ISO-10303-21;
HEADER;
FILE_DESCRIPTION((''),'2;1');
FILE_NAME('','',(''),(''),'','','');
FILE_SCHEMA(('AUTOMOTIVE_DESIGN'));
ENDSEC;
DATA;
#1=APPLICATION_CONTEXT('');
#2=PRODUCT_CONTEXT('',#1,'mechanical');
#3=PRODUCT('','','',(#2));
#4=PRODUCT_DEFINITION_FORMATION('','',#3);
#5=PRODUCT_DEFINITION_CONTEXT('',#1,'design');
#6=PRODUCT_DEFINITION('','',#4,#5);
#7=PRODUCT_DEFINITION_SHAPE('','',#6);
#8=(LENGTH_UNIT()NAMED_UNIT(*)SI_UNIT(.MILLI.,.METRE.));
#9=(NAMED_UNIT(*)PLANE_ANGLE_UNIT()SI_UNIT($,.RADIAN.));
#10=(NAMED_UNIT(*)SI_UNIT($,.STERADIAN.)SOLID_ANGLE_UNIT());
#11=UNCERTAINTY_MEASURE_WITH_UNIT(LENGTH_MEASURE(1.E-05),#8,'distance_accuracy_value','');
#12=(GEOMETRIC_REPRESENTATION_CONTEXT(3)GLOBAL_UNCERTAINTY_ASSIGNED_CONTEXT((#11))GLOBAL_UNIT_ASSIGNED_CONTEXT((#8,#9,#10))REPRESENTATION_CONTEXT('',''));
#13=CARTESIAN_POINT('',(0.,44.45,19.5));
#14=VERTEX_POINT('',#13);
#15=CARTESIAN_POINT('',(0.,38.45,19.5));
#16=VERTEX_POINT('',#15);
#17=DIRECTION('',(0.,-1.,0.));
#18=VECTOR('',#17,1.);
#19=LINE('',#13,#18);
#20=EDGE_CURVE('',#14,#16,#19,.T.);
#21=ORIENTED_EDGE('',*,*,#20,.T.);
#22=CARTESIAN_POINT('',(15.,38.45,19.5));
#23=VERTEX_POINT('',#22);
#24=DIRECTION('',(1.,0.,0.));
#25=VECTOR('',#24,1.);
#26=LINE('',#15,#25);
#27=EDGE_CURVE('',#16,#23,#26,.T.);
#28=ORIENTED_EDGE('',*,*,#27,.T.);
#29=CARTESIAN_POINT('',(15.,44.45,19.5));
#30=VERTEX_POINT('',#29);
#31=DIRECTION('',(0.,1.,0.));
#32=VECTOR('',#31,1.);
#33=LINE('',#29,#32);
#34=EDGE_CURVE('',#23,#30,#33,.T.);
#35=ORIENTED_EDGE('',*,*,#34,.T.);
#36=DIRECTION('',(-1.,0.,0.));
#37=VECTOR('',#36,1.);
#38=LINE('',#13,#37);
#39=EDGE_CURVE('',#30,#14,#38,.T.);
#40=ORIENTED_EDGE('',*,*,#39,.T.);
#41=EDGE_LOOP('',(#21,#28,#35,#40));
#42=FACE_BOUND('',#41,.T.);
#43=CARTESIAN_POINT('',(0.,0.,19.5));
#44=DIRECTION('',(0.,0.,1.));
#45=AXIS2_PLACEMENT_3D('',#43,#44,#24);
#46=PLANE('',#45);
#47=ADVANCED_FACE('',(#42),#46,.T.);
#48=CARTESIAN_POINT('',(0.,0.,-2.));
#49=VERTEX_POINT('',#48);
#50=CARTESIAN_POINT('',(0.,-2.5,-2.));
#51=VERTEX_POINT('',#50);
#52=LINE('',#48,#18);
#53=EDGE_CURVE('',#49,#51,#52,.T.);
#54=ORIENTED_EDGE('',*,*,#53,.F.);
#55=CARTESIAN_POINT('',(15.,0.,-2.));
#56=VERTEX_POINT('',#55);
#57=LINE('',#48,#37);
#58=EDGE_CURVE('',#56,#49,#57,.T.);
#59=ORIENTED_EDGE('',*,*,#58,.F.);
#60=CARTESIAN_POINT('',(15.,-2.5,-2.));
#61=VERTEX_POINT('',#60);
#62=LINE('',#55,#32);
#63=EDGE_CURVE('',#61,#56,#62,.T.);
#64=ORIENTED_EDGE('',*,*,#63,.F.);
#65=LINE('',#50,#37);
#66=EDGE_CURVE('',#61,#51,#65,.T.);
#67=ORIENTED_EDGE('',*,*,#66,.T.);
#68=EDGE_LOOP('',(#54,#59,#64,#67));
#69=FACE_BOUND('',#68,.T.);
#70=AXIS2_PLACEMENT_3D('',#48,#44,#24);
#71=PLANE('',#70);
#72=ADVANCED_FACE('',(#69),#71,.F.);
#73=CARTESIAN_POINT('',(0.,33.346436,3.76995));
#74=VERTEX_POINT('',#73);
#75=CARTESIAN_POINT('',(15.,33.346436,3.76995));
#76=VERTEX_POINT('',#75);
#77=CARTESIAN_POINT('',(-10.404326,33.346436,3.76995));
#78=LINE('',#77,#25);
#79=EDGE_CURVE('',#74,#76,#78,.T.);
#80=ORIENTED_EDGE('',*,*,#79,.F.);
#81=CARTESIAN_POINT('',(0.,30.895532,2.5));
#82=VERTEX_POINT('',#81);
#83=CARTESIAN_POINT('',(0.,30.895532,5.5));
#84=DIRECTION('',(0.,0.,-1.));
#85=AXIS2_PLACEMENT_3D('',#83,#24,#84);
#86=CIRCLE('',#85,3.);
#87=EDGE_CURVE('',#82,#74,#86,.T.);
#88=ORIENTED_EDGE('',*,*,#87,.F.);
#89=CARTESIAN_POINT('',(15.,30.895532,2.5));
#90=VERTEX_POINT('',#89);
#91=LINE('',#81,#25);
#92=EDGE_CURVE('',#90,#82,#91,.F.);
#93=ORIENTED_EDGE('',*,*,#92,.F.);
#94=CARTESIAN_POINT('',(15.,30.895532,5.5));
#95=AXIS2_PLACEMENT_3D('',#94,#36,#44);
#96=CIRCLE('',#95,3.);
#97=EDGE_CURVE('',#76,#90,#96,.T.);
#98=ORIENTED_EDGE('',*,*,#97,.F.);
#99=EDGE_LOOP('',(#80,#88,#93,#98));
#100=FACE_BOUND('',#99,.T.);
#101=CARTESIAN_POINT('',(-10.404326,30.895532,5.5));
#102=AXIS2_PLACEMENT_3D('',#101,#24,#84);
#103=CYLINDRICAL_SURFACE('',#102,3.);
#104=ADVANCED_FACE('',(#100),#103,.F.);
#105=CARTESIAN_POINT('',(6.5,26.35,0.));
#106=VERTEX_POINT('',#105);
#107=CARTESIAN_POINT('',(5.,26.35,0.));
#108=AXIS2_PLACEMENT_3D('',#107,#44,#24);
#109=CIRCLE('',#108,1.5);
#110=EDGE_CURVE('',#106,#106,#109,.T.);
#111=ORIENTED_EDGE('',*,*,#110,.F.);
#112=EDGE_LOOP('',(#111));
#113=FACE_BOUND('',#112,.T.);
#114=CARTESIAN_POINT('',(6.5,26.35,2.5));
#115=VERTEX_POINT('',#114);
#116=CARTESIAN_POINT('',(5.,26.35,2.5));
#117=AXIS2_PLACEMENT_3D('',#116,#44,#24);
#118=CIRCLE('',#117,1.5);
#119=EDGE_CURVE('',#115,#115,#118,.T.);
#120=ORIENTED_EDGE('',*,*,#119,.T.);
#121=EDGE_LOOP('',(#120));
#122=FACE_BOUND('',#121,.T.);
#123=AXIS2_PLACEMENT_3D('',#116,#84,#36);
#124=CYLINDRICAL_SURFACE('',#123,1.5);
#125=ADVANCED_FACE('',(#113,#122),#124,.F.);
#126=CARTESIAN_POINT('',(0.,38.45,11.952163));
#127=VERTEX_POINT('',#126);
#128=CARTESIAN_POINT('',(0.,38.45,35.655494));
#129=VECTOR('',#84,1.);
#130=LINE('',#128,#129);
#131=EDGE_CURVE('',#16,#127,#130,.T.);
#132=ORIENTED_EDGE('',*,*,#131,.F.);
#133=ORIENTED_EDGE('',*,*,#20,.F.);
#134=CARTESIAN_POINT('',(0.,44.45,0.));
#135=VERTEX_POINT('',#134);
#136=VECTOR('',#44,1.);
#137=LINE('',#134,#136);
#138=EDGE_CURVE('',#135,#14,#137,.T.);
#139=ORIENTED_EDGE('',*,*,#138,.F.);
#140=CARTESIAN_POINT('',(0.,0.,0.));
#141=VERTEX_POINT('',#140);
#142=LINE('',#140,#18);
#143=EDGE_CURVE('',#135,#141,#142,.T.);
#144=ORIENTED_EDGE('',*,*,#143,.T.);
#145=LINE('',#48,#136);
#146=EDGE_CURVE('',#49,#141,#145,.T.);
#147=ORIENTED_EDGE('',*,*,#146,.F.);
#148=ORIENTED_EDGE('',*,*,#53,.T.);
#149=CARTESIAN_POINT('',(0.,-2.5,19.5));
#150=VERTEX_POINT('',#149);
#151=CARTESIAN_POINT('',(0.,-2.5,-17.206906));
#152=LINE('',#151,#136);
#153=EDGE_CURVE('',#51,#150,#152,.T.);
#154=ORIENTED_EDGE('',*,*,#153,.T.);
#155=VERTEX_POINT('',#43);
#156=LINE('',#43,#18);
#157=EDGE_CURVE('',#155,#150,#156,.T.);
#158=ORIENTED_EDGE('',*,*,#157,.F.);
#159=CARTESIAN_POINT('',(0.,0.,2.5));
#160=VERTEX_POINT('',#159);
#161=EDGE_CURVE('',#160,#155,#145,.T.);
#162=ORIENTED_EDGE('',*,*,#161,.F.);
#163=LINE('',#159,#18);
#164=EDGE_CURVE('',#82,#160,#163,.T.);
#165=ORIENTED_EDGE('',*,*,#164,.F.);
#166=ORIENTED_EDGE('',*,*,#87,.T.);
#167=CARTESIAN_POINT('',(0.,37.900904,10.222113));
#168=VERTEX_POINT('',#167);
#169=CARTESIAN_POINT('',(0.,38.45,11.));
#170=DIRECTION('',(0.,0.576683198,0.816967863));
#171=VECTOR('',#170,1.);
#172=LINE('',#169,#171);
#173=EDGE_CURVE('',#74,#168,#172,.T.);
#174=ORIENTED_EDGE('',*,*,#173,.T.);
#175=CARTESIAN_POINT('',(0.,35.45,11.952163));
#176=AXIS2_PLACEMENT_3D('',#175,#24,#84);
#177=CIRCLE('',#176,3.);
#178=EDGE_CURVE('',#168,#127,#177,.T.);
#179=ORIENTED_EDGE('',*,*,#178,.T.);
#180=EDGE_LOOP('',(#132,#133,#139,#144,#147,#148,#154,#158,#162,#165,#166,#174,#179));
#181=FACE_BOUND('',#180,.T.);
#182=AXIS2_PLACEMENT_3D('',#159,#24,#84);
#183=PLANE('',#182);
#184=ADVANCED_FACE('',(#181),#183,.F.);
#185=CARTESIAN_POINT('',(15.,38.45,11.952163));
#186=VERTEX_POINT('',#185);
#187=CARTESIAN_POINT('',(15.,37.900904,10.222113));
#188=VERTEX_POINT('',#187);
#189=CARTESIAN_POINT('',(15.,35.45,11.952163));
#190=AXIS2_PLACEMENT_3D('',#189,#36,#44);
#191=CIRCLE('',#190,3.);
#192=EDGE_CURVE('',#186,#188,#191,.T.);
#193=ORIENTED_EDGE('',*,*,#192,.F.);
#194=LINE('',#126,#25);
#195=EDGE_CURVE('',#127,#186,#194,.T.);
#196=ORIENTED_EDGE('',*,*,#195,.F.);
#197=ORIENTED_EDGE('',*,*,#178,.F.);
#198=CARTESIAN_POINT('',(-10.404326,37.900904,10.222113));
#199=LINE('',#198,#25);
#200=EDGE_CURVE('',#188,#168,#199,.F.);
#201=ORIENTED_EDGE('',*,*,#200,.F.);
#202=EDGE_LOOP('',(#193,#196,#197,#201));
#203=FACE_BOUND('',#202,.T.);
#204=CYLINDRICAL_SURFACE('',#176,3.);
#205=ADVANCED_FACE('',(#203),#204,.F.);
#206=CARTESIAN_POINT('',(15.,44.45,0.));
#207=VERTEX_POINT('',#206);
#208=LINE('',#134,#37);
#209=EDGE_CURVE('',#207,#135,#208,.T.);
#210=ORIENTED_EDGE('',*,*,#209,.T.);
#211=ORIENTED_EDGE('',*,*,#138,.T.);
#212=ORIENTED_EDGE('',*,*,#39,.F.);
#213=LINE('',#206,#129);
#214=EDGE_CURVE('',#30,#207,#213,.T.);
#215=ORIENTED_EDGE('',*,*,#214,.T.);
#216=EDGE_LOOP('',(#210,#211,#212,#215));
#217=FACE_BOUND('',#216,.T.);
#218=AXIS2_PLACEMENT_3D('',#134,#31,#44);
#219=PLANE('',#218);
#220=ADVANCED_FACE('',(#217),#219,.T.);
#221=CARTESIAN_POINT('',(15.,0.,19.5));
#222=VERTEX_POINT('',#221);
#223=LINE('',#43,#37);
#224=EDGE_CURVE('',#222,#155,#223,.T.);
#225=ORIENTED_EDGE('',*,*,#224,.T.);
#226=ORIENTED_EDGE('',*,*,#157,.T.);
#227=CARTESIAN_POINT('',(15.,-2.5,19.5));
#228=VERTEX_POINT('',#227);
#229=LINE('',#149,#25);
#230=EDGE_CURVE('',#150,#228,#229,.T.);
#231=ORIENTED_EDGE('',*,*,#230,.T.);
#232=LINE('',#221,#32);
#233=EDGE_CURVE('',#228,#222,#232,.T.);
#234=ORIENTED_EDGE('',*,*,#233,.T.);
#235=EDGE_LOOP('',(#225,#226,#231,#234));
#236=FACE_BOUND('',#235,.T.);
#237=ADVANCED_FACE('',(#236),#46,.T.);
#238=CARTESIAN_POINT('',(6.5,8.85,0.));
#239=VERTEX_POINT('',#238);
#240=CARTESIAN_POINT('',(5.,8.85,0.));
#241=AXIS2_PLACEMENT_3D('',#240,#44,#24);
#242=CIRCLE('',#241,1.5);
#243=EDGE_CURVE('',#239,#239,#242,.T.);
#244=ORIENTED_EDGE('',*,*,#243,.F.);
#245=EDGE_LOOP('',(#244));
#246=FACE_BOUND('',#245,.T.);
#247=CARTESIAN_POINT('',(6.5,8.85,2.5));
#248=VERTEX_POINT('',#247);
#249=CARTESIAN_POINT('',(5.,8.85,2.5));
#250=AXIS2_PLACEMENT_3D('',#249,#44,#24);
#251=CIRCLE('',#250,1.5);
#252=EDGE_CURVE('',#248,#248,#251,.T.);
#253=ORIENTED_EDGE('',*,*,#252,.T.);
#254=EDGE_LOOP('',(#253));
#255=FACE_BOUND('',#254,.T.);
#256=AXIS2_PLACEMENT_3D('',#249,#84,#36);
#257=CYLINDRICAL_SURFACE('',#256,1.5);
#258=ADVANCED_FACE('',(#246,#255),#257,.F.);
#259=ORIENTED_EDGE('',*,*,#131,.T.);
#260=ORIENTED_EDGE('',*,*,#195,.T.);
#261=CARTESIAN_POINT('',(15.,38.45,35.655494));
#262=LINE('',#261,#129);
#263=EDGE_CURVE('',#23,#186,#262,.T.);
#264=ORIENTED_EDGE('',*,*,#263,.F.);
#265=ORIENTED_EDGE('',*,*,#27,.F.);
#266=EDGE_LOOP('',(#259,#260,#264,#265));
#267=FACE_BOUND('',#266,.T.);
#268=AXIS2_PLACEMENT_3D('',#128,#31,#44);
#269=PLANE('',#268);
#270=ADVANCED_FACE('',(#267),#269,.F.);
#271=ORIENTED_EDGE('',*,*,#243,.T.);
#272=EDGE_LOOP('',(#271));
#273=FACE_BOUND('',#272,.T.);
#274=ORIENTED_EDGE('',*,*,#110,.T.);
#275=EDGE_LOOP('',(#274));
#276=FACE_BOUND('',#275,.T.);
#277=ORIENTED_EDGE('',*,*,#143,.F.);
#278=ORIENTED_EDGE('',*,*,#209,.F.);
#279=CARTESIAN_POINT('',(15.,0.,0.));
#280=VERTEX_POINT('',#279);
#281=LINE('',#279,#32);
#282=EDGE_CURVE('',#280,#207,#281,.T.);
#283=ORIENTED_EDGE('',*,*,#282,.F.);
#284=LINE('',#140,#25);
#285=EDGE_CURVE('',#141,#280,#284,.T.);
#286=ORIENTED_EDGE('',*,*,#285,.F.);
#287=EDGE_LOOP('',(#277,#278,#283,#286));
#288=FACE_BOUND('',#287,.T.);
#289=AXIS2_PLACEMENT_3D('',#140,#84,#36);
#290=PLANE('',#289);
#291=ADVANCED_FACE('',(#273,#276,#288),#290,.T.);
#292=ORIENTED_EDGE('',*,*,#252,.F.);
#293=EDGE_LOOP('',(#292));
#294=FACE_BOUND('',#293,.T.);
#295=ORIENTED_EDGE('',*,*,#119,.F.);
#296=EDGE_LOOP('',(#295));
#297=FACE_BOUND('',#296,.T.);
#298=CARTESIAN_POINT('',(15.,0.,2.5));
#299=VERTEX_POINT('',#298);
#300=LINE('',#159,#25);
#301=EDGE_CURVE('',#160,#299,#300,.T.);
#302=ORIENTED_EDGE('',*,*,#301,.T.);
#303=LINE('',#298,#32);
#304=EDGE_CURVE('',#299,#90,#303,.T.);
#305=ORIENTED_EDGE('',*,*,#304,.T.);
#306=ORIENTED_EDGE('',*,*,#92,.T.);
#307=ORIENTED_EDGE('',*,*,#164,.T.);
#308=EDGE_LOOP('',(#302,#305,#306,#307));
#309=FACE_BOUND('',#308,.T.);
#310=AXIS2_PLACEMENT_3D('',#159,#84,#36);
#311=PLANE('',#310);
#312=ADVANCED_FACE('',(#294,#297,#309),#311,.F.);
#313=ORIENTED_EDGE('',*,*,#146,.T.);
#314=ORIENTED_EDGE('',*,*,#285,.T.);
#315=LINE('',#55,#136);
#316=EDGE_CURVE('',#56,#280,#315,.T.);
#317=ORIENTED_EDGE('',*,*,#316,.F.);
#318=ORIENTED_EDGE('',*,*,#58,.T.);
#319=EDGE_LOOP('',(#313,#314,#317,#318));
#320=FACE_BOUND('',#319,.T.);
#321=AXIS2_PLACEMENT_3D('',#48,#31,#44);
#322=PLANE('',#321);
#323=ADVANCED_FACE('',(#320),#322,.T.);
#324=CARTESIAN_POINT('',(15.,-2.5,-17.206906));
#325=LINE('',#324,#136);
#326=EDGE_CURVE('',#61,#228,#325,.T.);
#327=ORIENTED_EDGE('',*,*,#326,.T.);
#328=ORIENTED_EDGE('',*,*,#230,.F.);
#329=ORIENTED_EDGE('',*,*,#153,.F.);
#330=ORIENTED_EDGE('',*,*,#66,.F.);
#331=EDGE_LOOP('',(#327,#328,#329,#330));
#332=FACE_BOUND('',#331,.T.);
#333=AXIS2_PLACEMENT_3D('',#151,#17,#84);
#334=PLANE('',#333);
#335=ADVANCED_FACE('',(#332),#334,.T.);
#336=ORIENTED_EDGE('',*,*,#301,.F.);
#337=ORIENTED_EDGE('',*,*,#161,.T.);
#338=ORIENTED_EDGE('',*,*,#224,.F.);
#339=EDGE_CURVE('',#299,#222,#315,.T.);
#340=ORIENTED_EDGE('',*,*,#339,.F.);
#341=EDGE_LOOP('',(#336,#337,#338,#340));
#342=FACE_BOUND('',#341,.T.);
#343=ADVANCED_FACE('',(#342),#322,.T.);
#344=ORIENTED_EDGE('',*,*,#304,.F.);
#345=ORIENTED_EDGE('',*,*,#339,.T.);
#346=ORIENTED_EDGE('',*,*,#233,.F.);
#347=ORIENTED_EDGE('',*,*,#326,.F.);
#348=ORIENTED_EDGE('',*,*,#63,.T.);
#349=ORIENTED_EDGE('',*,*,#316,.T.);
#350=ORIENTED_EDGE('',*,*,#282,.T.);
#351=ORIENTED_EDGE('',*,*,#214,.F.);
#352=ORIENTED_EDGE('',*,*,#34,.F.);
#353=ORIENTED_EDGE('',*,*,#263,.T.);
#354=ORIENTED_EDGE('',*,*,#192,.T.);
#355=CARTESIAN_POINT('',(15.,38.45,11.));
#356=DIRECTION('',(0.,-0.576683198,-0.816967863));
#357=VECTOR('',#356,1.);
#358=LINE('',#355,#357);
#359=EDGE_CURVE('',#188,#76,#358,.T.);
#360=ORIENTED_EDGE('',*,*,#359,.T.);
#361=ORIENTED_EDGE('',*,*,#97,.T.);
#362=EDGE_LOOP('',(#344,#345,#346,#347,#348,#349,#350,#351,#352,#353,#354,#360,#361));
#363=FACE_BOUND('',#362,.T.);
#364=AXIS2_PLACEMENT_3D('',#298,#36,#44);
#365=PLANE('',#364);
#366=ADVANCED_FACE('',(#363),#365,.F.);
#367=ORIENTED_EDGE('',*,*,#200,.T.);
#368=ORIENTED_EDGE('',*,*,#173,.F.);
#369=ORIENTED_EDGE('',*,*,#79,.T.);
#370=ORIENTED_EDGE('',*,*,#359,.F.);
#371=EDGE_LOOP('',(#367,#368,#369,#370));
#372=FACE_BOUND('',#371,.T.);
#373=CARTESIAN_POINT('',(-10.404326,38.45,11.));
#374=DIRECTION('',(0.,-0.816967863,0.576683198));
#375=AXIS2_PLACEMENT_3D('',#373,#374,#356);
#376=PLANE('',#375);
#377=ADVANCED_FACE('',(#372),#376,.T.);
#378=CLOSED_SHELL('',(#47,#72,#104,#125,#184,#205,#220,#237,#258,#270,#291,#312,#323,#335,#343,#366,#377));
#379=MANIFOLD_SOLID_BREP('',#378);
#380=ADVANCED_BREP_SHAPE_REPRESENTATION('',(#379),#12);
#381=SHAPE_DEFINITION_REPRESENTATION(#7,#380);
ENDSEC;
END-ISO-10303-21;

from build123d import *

# Parameters (mm, degrees)
SKETCH1_W                = 15
SKETCH1_H                = 28.85
SKETCH1_R                = 1.5
BOSS_EXTRUDE1_DEPTH      = 2.5
BOSS_EXTRUDE2_DEPTH      = 17
BOSS_EXTRUDE2_DEPTH_BACK = 4.5
SKETCH3_W                = 15
SKETCH3_H                = 2
SKETCH4_W                = 15
SKETCH4_H                = 2.5
BOSS_EXTRUDE3_DEPTH      = 15.6
SKETCH5_W                = 15
SKETCH5_H                = 2.5
BOSS_EXTRUDE4_DEPTH      = 21.5
SKETCH6_W                = 15
SKETCH6_H                = 6
BOSS_EXTRUDE5_DEPTH      = 17
BOSS_EXTRUDE10_DEPTH     = 15
FILLET1_R                = 3


with BuildPart() as part:
    # Sketch1 → Boss-Extrude1 (new body)
    with BuildSketch(Plane.XY):
        with Locations((7.5, 14.425)):
            Rectangle(SKETCH1_W, SKETCH1_H)
        with Locations((5, 26.35)):
            Circle(SKETCH1_R, mode=Mode.SUBTRACT)
        with Locations((5, 8.85)):
            Circle(SKETCH1_R, mode=Mode.SUBTRACT)
    extrude(amount=BOSS_EXTRUDE1_DEPTH)

    # Sketch3 → Boss-Extrude2 (add, two sides: drawn at the far end of the back side and taken through both)
    with BuildSketch(Plane.XY.offset(2.5).offset(-BOSS_EXTRUDE2_DEPTH_BACK)):
        with Locations((7.5, -1)):
            Rectangle(SKETCH3_W, SKETCH3_H)
    extrude(amount=BOSS_EXTRUDE2_DEPTH + BOSS_EXTRUDE2_DEPTH_BACK)

    # Sketch4 → Boss-Extrude3 (add)
    with BuildSketch(Plane(origin=(0, 28.85, 0), x_dir=(1, 0, 0), z_dir=(0, 1, 0))):
        with Locations((7.5, -1.25)):
            Rectangle(SKETCH4_W, SKETCH4_H)
    extrude(amount=BOSS_EXTRUDE3_DEPTH)

    # Sketch5 → Boss-Extrude4 (add)
    with BuildSketch(Plane.XY.offset(19.5)):
        with Locations((7.5, -1.25)):
            Rectangle(SKETCH5_W, SKETCH5_H)
    extrude(amount=-BOSS_EXTRUDE4_DEPTH)

    # Sketch6 → Boss-Extrude5 (add)
    with BuildSketch(Plane.XY.offset(2.5)):
        with Locations((7.5, 41.45)):
            Rectangle(SKETCH6_W, SKETCH6_H)
    extrude(amount=BOSS_EXTRUDE5_DEPTH)

    # Sketch7 → Boss-Extrude10 (add)
    with BuildSketch(Plane(origin=(15, 0, 0), x_dir=(0, 0, -1), z_dir=(1, 0, 0))):
        Polygon((-11, 38.45), (-2.5, 32.45), (-2.5, 38.45), align=None)
    extrude(amount=-BOSS_EXTRUDE10_DEPTH)

    # Fillet1
    fillet1_edges = [part.edges().sort_by_distance(p)[0] for p in [
        (7.5, 38.45, 11),
        (7.5, 32.45, 2.5),
    ]]
    fillet(fillet1_edges, radius=FILLET1_R)


solid = part.part
